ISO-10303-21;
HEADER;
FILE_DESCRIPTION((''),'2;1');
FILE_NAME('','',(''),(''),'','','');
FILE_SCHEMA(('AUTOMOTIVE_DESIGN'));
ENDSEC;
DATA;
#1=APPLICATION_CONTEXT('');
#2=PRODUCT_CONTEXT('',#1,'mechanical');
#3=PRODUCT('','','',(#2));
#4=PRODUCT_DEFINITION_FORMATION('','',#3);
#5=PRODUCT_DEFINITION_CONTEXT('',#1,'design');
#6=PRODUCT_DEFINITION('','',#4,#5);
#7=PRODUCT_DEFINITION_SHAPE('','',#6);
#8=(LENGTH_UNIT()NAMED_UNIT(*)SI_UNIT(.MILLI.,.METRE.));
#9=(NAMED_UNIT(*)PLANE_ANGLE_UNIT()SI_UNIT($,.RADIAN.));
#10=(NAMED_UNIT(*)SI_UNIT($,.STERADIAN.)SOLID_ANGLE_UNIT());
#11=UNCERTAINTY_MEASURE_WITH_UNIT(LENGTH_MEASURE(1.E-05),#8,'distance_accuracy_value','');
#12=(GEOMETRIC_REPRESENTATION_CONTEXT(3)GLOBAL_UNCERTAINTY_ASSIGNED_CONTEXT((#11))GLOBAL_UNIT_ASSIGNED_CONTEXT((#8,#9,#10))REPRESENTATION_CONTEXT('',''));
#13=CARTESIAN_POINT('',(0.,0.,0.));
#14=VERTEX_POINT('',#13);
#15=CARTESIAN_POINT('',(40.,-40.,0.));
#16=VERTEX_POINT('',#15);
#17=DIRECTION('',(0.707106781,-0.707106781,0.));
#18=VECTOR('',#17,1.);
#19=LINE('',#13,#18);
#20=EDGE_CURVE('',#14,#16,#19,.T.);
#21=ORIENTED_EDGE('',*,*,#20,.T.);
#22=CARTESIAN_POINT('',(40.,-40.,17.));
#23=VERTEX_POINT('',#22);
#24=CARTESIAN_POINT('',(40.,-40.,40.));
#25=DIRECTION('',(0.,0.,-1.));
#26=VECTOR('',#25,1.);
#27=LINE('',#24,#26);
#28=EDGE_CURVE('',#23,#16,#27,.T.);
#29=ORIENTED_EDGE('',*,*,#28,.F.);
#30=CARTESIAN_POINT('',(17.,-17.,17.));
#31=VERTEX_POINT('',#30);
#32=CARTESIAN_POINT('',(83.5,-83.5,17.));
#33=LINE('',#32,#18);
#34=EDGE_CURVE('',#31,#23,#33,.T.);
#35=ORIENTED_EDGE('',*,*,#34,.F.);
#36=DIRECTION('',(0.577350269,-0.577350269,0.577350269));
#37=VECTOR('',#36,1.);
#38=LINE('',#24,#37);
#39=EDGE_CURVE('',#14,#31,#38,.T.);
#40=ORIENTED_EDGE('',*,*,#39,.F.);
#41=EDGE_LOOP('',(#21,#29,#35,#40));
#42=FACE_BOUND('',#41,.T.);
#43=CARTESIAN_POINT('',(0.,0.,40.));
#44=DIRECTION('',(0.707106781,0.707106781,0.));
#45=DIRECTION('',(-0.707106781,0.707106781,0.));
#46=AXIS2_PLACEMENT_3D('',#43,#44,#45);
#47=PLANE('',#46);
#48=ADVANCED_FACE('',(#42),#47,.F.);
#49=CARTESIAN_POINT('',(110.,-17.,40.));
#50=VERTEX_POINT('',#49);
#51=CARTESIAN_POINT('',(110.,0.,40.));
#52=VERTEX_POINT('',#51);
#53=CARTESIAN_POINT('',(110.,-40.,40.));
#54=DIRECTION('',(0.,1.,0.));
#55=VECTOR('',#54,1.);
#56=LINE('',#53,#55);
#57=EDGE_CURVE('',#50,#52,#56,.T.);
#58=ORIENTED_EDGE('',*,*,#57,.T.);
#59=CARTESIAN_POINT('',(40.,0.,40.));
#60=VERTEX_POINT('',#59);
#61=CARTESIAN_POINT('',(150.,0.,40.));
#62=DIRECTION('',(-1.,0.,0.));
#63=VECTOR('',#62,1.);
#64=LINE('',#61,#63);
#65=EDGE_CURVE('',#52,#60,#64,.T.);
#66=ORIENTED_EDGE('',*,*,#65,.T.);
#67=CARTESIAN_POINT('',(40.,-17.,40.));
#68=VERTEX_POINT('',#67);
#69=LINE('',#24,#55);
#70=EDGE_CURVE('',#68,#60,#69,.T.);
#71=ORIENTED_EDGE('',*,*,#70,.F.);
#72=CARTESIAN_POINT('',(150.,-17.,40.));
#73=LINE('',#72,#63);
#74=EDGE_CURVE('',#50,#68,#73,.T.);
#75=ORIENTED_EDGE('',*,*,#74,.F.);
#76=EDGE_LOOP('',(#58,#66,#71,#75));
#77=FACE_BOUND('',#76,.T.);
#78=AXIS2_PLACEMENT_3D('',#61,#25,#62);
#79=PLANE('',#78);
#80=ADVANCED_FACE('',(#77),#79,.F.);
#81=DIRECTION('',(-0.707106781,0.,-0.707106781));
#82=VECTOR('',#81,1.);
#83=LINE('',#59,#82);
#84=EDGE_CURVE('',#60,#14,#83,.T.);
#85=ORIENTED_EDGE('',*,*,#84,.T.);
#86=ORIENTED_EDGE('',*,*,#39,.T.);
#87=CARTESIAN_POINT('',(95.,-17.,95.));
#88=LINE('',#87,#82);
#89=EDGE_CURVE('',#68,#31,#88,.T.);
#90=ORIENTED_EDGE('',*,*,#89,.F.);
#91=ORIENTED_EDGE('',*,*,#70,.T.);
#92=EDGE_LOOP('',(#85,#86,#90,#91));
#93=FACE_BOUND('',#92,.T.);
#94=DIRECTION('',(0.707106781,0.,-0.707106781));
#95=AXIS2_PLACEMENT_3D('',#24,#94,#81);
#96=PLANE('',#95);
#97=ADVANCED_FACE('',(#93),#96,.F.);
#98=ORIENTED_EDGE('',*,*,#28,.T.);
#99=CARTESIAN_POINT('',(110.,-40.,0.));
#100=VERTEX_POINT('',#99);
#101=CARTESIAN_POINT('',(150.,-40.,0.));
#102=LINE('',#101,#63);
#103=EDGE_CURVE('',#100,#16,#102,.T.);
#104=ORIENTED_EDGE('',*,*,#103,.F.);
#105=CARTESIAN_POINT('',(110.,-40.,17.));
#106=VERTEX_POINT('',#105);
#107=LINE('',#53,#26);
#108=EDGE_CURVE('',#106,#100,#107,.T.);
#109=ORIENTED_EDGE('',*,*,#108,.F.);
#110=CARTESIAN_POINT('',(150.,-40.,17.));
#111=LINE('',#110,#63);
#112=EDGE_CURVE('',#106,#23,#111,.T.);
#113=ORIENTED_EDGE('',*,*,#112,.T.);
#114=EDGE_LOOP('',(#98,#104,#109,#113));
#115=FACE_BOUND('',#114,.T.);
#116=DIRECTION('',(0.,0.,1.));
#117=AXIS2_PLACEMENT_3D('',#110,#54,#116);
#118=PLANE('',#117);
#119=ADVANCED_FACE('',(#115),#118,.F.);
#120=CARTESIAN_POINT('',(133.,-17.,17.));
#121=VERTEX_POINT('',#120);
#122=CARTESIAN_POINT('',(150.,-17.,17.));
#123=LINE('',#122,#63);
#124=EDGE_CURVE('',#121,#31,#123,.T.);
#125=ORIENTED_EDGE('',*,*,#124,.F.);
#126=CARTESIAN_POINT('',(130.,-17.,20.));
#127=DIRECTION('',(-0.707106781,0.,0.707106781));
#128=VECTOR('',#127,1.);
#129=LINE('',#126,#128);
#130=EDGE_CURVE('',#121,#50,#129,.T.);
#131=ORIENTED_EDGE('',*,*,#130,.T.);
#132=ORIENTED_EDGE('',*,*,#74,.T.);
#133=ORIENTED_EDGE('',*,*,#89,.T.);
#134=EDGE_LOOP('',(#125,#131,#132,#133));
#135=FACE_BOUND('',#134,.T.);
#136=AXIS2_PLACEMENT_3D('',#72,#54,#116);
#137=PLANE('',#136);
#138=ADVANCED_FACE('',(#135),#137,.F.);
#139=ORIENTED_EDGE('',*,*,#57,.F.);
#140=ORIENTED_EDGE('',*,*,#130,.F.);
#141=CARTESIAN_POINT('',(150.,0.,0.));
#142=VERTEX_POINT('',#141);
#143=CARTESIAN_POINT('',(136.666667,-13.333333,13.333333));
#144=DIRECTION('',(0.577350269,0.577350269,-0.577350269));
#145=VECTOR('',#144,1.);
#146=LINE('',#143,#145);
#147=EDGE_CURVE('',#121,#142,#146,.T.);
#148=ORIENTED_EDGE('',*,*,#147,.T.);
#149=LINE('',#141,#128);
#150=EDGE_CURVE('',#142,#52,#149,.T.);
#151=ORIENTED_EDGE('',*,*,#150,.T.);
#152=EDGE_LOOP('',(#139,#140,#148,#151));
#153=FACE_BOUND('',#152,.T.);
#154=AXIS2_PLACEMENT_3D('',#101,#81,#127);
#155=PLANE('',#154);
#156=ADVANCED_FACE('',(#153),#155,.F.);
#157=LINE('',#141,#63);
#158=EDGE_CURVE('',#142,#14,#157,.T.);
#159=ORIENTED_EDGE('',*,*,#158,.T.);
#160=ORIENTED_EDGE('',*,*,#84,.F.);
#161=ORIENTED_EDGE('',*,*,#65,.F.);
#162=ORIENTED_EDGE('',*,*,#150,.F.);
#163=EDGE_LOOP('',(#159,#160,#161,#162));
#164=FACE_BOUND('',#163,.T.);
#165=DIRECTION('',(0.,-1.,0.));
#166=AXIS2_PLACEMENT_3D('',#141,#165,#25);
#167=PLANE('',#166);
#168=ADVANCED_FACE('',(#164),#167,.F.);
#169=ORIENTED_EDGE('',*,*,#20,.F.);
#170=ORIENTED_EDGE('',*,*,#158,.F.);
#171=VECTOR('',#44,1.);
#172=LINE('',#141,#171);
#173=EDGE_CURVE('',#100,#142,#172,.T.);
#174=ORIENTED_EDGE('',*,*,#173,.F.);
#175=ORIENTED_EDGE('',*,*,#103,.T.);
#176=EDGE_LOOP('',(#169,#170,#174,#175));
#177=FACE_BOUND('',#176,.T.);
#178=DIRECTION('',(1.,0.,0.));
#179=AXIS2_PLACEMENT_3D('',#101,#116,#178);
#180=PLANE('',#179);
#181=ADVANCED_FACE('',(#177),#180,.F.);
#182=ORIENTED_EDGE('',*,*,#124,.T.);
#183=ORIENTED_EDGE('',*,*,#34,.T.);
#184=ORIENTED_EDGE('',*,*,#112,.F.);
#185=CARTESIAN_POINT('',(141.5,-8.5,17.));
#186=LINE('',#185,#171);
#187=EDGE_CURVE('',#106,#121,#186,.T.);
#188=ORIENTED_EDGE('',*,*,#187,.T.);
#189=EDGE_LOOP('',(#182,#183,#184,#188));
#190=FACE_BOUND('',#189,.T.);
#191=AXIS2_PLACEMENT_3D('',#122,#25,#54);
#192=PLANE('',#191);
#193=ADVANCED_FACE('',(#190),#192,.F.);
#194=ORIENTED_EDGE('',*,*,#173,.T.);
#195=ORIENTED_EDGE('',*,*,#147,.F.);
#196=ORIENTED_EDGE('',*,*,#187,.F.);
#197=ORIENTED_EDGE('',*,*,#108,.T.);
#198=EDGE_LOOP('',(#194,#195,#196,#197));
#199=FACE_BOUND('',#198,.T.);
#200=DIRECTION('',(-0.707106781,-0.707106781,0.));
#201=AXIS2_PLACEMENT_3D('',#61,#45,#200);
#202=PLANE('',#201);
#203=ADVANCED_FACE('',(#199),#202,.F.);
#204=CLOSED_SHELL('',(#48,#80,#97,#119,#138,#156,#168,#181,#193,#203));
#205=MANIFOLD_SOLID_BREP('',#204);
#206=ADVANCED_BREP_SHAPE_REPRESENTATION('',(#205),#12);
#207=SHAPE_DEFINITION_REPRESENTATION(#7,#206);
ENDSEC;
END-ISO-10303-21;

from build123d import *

# Parameters (mm, degrees)
BOSS_EXTRU_1_DEPTH      = 150
ENL_V_MAT_EXTRU_1_DEPTH = 41
ENL_V_MAT_EXTRU_2_DEPTH = 41


with BuildPart() as part:
    # Esquisse1 → Boss.-Extru.1 (new body)
    with BuildSketch(Plane(origin=(0, 0, 0), x_dir=(0, 0, -1), z_dir=(1, 0, 0))):
        Polygon((0, 0), (-40, 0), (-40, -17), (-17, -17), (-17, -40), (0, -40), align=None)
    extrude(amount=BOSS_EXTRU_1_DEPTH)

    # Esquisse2 → Enlèv. mat.-Extru.1 (cut, through all)
    with BuildSketch(Plane(origin=(0, 0, 0), x_dir=(1, 0, 0), z_dir=(0, 1, 0))):
        Polygon((150, 0), (110, -40), (150, -40), align=None)
        Polygon((0, 0), (0, -40), (40, -40), align=None)
    extrude(amount=-ENL_V_MAT_EXTRU_1_DEPTH, mode=Mode.SUBTRACT)

    # Esquisse3 → Enlèv. mat.-Extru.2 (cut, through all)
    with BuildSketch(Plane(origin=(0, 0, 0), x_dir=(-1, 0, 0), z_dir=(0, 0, -1))):
        Polygon((-150, 0), (-110, -40), (-150, -40), align=None)
        Polygon((-40, -40), (0, -40), (0, 0), align=None)
    extrude(amount=-ENL_V_MAT_EXTRU_2_DEPTH, mode=Mode.SUBTRACT)


solid = part.part
